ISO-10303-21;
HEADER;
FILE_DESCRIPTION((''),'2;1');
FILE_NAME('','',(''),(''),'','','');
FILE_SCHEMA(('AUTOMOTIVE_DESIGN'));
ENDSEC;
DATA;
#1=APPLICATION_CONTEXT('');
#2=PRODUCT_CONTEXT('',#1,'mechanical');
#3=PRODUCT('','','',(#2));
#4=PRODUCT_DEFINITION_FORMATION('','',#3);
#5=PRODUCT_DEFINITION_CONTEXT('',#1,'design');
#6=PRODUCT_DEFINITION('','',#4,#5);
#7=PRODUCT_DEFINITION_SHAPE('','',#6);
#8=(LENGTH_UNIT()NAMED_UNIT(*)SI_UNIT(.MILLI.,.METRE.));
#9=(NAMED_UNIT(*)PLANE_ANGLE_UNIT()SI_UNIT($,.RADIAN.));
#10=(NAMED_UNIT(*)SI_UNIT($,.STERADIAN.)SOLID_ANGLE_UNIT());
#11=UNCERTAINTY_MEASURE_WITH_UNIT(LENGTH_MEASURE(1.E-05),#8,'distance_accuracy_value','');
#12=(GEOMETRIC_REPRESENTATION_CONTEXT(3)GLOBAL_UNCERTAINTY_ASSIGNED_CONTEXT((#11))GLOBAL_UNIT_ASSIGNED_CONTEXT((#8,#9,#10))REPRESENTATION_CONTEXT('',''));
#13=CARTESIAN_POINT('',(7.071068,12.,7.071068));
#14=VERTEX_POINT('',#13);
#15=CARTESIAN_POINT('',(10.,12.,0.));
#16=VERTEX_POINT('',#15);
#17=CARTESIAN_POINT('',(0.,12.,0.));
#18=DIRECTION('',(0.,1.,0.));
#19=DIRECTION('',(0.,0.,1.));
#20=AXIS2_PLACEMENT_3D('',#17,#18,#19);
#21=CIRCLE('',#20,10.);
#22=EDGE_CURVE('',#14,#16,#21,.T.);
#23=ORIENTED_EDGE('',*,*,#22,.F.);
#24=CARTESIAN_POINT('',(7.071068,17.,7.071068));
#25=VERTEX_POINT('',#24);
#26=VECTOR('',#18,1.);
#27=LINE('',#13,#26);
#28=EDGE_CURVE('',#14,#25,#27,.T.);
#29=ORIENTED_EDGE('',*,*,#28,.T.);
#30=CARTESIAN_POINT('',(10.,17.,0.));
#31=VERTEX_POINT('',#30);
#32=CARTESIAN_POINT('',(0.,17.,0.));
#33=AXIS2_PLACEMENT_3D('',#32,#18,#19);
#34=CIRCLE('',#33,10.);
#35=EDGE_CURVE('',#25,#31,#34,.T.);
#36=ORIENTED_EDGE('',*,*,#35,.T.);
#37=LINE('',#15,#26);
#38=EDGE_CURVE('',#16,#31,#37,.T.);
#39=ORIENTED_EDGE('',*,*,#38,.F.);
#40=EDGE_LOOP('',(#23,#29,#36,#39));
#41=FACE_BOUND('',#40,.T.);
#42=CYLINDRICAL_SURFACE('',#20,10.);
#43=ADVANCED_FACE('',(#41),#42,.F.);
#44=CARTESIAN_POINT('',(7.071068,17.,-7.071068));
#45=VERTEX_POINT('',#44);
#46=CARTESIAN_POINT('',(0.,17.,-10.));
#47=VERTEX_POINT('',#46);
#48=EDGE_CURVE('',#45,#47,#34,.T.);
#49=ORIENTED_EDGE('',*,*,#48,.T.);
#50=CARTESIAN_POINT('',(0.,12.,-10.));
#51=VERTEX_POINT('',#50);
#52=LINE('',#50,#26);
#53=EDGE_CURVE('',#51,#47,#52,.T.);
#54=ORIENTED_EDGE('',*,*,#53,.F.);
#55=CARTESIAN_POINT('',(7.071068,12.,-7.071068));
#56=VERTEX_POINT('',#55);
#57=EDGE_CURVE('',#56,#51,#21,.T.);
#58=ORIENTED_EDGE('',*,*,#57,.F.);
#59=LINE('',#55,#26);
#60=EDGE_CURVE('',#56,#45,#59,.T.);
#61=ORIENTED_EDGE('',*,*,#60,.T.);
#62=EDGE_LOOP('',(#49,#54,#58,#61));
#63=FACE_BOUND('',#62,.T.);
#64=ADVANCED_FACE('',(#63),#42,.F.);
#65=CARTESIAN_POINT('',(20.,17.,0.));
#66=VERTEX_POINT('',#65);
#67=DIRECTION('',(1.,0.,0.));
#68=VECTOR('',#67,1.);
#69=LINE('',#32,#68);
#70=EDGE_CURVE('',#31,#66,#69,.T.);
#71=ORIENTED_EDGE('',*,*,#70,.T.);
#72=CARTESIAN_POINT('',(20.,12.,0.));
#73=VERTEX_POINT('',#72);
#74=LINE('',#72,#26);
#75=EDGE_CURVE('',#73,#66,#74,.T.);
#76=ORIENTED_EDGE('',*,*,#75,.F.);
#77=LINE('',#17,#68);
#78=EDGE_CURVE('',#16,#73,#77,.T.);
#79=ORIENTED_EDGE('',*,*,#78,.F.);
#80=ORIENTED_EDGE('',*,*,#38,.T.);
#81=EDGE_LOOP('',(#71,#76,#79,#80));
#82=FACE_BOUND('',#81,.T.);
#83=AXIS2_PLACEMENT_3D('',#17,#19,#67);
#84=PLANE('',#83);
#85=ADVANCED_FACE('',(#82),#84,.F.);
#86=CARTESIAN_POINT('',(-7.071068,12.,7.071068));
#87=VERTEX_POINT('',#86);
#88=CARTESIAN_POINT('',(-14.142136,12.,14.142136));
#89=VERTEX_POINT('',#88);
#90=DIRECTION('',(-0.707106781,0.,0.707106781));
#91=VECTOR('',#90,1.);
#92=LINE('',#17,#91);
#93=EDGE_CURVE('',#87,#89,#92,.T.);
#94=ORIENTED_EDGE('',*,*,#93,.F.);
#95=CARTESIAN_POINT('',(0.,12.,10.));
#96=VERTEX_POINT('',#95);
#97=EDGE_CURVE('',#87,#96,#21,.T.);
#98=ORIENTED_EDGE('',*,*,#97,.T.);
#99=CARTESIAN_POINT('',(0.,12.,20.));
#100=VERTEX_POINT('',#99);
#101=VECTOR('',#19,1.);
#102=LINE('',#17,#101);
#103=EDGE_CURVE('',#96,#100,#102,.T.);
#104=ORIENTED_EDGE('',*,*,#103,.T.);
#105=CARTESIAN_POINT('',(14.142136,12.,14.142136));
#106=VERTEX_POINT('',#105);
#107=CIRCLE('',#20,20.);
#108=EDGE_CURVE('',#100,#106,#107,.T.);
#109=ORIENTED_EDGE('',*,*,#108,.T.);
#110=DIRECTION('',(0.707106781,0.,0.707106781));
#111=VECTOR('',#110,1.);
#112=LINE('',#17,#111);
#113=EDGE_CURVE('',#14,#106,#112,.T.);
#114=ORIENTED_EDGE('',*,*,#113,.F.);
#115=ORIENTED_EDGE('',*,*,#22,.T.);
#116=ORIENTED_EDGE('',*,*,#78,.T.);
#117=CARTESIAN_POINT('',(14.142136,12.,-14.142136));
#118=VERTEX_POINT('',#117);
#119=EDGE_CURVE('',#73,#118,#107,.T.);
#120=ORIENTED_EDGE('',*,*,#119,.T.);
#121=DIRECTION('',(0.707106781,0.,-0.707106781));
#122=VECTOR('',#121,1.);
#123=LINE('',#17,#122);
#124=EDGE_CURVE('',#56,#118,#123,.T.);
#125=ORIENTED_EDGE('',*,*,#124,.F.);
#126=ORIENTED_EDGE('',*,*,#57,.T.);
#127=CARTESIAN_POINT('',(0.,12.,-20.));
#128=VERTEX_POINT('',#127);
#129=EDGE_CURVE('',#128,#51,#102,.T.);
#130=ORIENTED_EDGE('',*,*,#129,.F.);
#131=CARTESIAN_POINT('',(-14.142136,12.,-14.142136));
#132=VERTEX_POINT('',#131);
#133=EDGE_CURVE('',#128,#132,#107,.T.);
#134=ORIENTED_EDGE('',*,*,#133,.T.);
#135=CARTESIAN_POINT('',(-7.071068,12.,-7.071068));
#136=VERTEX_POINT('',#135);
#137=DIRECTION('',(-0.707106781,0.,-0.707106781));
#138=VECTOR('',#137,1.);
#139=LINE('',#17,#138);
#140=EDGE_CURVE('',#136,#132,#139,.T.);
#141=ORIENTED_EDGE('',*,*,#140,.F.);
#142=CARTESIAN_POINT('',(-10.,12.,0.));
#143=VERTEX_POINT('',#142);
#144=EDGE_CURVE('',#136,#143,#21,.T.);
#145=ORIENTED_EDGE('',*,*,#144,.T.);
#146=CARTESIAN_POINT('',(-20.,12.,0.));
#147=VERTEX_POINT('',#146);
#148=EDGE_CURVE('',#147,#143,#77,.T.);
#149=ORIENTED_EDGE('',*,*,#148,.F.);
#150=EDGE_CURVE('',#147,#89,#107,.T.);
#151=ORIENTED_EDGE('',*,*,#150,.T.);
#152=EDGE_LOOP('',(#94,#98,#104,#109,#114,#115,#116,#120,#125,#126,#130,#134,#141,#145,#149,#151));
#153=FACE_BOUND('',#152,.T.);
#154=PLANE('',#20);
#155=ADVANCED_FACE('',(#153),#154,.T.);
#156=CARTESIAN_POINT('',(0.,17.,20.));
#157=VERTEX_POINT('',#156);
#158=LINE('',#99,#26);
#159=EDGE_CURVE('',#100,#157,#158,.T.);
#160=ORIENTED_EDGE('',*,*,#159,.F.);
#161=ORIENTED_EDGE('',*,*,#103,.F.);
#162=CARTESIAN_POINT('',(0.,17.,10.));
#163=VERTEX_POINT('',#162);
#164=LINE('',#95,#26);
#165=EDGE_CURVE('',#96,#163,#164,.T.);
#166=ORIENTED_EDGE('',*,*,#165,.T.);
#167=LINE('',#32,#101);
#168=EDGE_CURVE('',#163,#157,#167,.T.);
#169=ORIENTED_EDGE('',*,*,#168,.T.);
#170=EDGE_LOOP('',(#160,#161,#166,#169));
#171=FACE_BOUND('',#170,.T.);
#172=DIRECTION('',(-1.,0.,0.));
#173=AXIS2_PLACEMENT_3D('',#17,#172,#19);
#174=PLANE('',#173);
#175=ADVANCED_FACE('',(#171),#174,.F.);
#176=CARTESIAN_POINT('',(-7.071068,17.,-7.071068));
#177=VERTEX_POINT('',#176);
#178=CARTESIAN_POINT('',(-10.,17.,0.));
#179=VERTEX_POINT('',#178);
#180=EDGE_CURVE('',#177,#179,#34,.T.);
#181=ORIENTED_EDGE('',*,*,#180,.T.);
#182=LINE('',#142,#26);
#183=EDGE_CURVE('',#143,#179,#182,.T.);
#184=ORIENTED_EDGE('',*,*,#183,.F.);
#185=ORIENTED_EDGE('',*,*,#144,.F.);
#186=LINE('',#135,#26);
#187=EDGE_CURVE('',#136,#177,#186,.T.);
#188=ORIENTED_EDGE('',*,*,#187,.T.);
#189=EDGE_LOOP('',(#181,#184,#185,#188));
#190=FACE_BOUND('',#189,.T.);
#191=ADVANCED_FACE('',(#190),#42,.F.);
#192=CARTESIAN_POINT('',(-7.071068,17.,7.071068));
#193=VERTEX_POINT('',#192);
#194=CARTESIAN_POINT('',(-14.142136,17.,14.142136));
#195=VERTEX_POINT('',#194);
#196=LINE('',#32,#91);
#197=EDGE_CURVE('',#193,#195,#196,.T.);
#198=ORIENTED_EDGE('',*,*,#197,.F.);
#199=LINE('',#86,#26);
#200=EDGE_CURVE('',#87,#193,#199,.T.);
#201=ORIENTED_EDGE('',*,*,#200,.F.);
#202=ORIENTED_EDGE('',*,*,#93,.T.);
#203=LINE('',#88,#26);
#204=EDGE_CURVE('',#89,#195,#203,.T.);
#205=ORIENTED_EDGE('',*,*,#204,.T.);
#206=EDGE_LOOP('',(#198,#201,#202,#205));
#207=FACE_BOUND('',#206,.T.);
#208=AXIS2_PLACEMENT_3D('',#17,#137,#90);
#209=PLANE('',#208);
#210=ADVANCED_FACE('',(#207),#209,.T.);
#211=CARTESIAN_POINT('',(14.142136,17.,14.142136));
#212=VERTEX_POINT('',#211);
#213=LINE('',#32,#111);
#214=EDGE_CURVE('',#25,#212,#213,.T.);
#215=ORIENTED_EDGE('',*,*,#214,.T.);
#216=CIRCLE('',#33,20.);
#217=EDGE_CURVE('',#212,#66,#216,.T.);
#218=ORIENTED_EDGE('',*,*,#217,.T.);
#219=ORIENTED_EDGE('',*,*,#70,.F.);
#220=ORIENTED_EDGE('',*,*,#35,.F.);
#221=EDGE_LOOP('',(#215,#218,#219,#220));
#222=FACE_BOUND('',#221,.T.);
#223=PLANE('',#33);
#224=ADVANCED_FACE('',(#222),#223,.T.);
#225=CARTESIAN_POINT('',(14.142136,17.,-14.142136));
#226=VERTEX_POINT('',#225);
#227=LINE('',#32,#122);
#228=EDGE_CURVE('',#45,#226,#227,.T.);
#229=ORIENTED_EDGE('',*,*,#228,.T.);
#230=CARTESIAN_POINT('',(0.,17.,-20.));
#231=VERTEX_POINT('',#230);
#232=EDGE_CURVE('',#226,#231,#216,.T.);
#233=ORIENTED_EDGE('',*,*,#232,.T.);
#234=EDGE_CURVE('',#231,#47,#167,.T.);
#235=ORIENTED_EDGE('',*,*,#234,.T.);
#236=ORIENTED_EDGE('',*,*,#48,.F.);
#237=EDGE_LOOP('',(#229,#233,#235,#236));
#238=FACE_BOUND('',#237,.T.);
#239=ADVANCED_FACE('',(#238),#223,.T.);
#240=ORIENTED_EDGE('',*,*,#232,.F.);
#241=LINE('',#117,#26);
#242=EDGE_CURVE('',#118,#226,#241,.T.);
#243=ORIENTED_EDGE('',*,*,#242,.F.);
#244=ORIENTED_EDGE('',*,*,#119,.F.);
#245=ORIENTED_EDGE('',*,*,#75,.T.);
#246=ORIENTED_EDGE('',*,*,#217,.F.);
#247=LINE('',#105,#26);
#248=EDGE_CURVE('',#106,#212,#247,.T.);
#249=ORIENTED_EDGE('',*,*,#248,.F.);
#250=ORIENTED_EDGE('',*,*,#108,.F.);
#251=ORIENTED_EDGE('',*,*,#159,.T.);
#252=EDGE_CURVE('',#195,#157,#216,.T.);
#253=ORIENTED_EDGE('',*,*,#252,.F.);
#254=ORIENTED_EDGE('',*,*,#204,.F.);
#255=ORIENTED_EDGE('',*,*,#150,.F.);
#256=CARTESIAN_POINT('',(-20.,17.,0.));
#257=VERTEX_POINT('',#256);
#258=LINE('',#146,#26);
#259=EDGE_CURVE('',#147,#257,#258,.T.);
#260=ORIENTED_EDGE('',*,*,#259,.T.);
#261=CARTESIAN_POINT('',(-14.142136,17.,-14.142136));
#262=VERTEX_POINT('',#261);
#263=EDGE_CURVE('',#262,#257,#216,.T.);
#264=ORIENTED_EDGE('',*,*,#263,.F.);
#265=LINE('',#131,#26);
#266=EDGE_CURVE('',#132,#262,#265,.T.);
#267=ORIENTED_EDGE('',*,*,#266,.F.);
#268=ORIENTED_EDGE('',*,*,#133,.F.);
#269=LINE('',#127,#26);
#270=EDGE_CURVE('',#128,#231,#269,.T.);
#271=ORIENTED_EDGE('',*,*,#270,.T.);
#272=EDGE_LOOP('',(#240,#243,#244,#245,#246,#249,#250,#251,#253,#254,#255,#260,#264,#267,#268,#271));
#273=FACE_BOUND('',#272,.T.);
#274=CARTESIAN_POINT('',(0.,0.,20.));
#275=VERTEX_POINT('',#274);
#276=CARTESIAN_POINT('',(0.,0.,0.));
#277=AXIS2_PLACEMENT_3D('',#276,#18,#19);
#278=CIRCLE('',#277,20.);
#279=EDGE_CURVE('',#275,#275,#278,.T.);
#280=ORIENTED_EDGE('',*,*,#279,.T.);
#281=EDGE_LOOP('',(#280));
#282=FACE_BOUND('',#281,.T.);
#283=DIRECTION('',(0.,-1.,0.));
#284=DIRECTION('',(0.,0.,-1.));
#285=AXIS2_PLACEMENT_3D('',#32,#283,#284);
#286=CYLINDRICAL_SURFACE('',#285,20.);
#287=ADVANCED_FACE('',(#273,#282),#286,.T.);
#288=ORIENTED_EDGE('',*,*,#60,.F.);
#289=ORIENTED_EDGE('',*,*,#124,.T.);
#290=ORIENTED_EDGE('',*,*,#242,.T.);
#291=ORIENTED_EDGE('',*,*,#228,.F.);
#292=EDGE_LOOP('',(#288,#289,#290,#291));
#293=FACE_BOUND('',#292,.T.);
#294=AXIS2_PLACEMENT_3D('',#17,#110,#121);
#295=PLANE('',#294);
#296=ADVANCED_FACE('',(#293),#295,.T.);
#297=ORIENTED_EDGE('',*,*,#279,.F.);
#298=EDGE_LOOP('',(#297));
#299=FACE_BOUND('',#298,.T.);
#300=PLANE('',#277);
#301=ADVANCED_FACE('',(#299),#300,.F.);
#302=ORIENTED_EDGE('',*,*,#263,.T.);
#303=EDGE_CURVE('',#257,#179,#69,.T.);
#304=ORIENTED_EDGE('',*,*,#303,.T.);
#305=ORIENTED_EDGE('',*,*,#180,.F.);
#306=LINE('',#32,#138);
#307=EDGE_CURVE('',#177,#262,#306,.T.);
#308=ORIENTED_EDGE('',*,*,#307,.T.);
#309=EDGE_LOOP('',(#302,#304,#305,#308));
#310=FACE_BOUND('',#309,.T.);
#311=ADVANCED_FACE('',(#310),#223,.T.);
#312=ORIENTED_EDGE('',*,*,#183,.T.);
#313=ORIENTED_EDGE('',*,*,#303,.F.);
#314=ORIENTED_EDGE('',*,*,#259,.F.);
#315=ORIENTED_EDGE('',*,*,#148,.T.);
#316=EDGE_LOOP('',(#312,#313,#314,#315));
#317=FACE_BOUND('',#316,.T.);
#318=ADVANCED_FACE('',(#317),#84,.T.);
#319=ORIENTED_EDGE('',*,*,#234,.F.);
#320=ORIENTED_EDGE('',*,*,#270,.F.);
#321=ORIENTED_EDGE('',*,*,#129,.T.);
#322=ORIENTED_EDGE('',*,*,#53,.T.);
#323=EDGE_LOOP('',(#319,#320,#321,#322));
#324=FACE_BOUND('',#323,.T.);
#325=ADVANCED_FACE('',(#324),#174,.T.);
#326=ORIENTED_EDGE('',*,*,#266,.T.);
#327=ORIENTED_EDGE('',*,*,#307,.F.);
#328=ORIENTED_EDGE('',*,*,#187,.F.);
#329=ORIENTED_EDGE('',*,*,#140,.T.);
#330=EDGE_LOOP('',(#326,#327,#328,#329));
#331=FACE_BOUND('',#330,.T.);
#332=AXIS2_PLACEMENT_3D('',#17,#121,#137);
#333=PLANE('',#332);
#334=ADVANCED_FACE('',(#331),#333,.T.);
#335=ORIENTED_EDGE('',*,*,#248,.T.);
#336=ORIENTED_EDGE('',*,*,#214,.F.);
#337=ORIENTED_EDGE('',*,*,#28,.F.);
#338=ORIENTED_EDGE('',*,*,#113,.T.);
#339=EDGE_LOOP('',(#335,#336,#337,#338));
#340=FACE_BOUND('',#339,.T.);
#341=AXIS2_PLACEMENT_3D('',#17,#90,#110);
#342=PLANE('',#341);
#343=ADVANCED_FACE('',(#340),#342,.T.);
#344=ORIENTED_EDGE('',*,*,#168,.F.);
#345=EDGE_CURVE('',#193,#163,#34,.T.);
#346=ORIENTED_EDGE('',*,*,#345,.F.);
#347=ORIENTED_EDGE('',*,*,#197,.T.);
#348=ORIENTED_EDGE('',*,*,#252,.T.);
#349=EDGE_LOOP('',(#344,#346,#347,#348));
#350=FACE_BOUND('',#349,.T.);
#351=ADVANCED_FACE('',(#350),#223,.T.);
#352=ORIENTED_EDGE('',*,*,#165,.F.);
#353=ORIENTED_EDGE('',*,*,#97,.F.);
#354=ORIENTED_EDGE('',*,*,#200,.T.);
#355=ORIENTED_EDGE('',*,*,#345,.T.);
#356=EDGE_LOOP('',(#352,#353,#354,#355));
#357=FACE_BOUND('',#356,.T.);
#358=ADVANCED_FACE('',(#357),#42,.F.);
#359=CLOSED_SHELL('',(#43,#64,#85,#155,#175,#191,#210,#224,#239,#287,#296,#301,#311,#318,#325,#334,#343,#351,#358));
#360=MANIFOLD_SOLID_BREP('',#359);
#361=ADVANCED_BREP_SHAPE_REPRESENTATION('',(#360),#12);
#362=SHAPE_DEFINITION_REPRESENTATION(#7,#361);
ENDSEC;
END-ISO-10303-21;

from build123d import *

# Parameters (mm, degrees)
SKETCH1_R                      = 20
EXTRUDE_MECHANISM_PART_1_DEPTH = 17
CUT_START                      = -5
CUT_MECHANISM_PART_1_DEPTH     = 5


with BuildPart() as part:
    # Sketch1 → Extrude (Mechanism Part 1) (new body)
    with BuildSketch(Plane(origin=(0, 0, 0), x_dir=(1, 0, 0), z_dir=(0, 1, 0))):
        with Locations(Location((0, 0, 0), (0, 0, 270))):
            Circle(SKETCH1_R)
    extrude(amount=EXTRUDE_MECHANISM_PART_1_DEPTH)

    # Sketch2 → Cut (Mechanism Part 1) (cut)
    with BuildSketch(Plane(origin=(0, 17, 0), x_dir=(1, 0, 0), z_dir=(0, 1, 0)).offset(CUT_START)):
        with BuildLine():
            Line((0, 10), (0, 20))
            ThreePointArc((0, 20), (-7.653668647, 18.47759065), (-14.142135624, 14.142135624))
            Line((-14.142135624, 14.142135624), (-7.071067812, 7.071067812))
            ThreePointArc((-7.071067812, 7.071067812), (-3.826834324, 9.238795325), (0, 10))
        make_face()
        with BuildLine():
            ThreePointArc((20, 0), (18.47759065, 7.653668647), (14.142135624, 14.142135624))
            Line((14.142135624, 14.142135624), (7.071067812, 7.071067812))
            ThreePointArc((7.071067812, 7.071067812), (9.238795325, 3.826834324), (10, 0))
            Line((10, 0), (20, 0))
        make_face()
        with BuildLine():
            ThreePointArc((7.071067812, -7.071067812), (3.826834324, -9.238795325), (0, -10))
            Line((0, -10), (0, -20))
            ThreePointArc((0, -20), (7.653668647, -18.47759065), (14.142135624, -14.142135624))
            Line((14.142135624, -14.142135624), (7.071067812, -7.071067812))
        make_face()
        with BuildLine():
            Line((-10, 0), (-20, 0))
            ThreePointArc((-20, 0), (-18.47759065, -7.653668647), (-14.142135624, -14.142135624))
            Line((-14.142135624, -14.142135624), (-7.071067812, -7.071067812))
            ThreePointArc((-7.071067812, -7.071067812), (-9.238795325, -3.826834324), (-10, 0))
        make_face()
        with BuildLine():
            Line((-7.071067812, -7.071067812), (0, 0))
            Line((0, 0), (-10, 0))
            ThreePointArc((-10, 0), (-9.238795325, -3.826834324), (-7.071067812, -7.071067812))
        make_face()
        with BuildLine():
            Line((-10, 0), (0, 0))
            Line((0, 0), (-7.071067812, 7.071067812))
            ThreePointArc((-7.071067812, 7.071067812), (-9.238795325, 3.826834324), (-10, 0))
        make_face()
        with BuildLine():
            Line((0, 0), (0, 10))
            ThreePointArc((0, 10), (-3.826834324, 9.238795325), (-7.071067812, 7.071067812))
            Line((-7.071067812, 7.071067812), (0, 0))
        make_face()
        with BuildLine():
            ThreePointArc((7.071067812, 7.071067812), (3.826834324, 9.238795325), (0, 10))
            Line((0, 10), (0, 0))
            Line((0, 0), (7.071067812, 7.071067812))
        make_face()
        with BuildLine():
            Line((7.071067812, 7.071067812), (0, 0))
            Line((0, 0), (10, 0))
            ThreePointArc((10, 0), (9.238795325, 3.826834324), (7.071067812, 7.071067812))
        make_face()
        with BuildLine():
            Line((10, 0), (0, 0))
            Line((0, 0), (7.071067812, -7.071067812))
            ThreePointArc((7.071067812, -7.071067812), (9.238795325, -3.826834324), (10, 0))
        make_face()
        with BuildLine():
            Line((7.071067812, -7.071067812), (0, 0))
            Line((0, 0), (0, -10))
            ThreePointArc((0, -10), (3.826834324, -9.238795325), (7.071067812, -7.071067812))
        make_face()
        with BuildLine():
            Line((0, -10), (0, 0))
            Line((0, 0), (-7.071067812, -7.071067812))
            ThreePointArc((-7.071067812, -7.071067812), (-3.826834324, -9.238795325), (0, -10))
        make_face()
    extrude(amount=CUT_MECHANISM_PART_1_DEPTH, mode=Mode.SUBTRACT)


solid = part.part
